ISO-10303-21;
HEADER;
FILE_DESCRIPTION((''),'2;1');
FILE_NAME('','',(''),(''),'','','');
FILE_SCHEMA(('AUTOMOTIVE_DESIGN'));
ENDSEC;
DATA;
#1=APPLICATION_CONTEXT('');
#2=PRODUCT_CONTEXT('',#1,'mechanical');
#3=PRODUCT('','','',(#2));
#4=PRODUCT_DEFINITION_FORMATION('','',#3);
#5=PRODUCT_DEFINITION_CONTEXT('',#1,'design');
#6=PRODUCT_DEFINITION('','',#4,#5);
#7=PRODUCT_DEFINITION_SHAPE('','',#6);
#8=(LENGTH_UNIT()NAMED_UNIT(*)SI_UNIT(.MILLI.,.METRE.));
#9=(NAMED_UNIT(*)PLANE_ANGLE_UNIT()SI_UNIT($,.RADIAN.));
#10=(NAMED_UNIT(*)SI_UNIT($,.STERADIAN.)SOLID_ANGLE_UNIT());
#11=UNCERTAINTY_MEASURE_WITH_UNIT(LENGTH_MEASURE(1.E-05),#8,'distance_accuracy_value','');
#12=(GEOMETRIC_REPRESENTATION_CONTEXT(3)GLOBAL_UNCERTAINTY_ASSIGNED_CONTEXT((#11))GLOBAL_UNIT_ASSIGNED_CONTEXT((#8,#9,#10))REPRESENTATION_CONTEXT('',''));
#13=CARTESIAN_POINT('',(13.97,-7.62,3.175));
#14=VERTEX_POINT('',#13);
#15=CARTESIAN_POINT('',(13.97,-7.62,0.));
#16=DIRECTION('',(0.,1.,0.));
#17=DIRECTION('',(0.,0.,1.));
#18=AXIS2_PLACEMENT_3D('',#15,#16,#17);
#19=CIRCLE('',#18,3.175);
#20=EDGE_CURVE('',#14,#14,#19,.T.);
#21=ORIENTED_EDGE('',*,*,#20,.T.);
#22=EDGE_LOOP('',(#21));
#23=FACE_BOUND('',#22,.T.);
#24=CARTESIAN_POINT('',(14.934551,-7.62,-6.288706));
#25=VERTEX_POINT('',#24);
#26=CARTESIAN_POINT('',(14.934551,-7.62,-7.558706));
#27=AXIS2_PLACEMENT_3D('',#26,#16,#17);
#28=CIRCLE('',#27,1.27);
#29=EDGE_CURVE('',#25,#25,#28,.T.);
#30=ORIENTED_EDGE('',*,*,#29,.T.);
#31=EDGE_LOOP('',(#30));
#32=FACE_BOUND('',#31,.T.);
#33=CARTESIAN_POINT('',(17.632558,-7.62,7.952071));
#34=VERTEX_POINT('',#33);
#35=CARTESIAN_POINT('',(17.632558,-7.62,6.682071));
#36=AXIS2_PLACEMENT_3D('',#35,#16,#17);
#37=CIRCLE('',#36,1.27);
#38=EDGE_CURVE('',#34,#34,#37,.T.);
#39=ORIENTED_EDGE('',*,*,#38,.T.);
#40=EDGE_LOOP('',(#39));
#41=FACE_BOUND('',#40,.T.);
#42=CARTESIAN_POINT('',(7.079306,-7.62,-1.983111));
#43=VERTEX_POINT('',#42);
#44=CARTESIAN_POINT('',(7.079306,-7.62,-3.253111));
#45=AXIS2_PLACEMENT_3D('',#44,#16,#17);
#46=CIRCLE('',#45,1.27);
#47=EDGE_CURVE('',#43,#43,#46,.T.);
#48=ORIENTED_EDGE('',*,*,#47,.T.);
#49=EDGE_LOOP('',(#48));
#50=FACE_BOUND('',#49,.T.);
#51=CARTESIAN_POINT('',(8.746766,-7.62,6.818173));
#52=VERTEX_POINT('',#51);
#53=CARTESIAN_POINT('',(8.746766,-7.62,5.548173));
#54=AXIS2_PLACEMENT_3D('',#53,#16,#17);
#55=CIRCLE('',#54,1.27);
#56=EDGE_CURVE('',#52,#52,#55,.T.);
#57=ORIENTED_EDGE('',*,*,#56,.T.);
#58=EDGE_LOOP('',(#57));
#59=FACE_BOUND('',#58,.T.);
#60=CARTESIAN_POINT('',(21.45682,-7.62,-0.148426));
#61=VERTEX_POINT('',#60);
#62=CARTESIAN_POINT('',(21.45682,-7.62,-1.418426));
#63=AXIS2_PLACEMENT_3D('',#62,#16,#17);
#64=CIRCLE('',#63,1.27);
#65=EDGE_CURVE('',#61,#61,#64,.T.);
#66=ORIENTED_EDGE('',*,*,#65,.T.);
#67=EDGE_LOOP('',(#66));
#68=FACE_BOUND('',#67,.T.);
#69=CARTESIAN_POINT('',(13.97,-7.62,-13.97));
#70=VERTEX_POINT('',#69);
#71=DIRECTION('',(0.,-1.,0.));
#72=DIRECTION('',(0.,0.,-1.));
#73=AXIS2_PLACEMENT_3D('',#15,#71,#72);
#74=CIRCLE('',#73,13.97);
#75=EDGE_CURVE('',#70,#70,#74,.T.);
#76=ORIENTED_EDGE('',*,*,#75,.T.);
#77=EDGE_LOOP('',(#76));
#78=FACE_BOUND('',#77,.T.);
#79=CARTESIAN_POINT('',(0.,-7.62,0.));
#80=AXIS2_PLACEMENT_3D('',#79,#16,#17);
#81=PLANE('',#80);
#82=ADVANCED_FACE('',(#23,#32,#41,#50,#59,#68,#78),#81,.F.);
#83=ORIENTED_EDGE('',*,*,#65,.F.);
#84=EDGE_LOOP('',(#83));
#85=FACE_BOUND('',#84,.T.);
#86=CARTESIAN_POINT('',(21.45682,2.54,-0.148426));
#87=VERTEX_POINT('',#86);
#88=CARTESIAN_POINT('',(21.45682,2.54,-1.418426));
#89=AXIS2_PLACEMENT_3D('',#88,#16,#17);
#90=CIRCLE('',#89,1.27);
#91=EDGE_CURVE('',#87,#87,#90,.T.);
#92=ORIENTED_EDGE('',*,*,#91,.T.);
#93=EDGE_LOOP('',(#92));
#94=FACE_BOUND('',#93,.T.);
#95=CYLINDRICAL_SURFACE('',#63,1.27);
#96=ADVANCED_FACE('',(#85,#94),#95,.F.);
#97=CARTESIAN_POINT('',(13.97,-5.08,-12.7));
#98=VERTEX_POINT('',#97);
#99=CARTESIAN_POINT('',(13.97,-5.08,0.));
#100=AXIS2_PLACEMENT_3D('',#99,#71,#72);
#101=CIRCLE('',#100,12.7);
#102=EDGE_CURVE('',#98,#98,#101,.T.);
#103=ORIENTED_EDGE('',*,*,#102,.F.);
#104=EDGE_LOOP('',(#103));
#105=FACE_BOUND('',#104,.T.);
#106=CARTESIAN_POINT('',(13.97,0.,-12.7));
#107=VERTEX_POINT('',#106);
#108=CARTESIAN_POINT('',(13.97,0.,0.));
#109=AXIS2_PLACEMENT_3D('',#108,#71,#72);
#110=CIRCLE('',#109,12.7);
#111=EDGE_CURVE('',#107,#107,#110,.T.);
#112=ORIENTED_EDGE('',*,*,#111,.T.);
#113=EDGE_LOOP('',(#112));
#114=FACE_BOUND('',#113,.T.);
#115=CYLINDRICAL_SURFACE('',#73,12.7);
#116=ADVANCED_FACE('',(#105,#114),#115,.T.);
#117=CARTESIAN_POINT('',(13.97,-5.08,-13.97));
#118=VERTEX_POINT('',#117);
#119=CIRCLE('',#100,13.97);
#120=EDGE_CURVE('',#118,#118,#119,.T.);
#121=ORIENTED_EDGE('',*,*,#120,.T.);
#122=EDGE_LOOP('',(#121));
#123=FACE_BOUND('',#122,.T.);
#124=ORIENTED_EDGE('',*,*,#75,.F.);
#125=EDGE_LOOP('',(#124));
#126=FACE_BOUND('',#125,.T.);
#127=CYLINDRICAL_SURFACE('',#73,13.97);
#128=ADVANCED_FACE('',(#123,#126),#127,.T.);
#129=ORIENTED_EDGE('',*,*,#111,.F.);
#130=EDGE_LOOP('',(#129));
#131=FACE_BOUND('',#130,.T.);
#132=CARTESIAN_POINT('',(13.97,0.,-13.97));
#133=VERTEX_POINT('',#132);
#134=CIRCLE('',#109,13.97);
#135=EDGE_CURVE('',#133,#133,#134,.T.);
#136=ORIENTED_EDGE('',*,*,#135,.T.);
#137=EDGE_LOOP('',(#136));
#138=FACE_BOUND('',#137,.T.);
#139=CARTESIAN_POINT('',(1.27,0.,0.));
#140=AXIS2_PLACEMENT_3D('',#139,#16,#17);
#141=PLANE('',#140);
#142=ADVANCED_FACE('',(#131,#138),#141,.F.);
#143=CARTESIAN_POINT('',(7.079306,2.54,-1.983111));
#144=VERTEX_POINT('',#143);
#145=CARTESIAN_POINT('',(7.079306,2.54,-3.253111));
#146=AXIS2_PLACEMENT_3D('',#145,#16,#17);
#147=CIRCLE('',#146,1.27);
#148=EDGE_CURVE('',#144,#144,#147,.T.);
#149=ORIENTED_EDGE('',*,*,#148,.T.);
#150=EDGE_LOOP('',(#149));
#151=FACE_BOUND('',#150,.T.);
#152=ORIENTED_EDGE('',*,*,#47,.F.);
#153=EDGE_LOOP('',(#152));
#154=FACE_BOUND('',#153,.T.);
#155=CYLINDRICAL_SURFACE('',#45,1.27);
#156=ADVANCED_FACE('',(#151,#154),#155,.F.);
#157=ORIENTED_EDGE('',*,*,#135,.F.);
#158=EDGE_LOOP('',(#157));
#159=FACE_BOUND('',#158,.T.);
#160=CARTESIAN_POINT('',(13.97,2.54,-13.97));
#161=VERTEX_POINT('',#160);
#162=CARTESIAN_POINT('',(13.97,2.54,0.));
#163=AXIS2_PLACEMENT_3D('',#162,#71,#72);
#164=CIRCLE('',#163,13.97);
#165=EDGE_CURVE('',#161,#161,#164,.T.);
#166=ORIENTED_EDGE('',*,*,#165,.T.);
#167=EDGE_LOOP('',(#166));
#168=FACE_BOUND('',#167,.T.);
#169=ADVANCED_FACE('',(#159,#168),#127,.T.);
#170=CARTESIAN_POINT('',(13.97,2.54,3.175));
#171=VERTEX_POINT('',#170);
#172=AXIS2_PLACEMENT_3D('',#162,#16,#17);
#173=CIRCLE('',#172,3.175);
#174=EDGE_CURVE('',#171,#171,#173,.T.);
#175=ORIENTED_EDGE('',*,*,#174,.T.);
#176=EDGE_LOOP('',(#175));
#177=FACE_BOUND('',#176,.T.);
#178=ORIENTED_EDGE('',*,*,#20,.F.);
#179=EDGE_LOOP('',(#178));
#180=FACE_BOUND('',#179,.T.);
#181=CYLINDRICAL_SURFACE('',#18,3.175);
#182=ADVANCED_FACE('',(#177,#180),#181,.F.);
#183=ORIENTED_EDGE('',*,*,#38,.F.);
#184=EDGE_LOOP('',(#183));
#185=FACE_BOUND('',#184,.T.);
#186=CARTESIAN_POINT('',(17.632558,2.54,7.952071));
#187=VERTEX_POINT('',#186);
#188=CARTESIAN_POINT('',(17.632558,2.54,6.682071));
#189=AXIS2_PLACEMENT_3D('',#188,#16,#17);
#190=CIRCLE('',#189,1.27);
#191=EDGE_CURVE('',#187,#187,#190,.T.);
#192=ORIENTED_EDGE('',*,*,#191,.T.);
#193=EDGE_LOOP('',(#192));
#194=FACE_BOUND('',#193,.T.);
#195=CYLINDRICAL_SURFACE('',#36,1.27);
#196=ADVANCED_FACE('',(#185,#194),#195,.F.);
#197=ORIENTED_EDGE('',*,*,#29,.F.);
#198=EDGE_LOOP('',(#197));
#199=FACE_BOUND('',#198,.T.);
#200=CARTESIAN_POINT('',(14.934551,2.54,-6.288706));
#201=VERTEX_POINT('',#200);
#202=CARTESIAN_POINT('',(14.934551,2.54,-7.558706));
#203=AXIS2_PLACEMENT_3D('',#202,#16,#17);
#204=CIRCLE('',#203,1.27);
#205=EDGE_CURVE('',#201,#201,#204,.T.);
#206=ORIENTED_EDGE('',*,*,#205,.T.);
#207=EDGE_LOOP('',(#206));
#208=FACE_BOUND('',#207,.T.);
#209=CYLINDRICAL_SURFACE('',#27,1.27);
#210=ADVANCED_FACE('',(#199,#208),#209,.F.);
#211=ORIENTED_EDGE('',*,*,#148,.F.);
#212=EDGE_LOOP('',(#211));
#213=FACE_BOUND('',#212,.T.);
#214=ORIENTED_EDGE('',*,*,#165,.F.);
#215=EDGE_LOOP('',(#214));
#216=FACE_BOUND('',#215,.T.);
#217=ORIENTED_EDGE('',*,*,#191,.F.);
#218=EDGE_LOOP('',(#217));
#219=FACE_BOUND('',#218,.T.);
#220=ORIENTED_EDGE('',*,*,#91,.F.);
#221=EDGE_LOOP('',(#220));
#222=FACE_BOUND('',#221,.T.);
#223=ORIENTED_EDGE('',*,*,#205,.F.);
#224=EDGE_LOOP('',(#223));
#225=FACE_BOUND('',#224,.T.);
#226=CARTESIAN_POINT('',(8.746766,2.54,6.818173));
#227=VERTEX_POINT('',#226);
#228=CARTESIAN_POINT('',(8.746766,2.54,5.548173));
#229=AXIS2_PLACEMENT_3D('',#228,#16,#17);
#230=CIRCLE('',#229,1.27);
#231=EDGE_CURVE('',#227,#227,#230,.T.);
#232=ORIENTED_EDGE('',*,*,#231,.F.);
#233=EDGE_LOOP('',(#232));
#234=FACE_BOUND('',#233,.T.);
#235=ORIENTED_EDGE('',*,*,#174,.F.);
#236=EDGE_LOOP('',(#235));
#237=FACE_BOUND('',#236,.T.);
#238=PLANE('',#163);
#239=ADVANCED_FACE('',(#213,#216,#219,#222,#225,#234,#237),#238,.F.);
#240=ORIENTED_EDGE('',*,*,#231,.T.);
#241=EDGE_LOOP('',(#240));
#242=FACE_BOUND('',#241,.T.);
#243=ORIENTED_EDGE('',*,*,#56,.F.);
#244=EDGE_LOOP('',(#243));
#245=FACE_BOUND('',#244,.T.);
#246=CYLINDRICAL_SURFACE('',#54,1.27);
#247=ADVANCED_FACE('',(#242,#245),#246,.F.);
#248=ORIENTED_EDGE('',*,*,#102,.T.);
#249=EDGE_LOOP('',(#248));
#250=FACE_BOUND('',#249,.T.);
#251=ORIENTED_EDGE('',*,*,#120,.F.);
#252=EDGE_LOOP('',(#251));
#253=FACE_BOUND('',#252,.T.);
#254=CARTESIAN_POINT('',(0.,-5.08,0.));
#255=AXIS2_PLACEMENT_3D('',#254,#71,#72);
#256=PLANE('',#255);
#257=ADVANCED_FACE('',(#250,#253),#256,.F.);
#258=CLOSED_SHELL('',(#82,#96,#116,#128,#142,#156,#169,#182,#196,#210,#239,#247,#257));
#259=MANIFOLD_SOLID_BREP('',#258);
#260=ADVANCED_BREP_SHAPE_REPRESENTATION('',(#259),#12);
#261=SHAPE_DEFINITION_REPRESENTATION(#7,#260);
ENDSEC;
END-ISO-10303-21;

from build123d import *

# Parameters (mm, degrees)
SKETCH4_R          = 3.175
CUT_EXTRUDE3_DEPTH = 33.848593577
SKETCH6_R          = 1.27
CUT_EXTRUDE5_DEPTH = 33.848593577


with BuildPart() as part:
    # Sketch1 → Revolve1 (revolve)
    with BuildSketch(Plane.XY, mode=Mode.PRIVATE) as revolve1_sk:
        Polygon((0, 0), (0, 2.54), (13.97, 2.54), (13.97, -7.62), (0, -7.62), (0, -5.08), (1.27, -5.08), (1.27, 0), align=None)
    revolve(revolve1_sk.sketch.rotate(Axis((13.97, -7.62, 0), (0, 1, 0)), 270), axis=Axis((13.97, -7.62, 0), (0, 1, 0)))

    # Sketch4 → Cut-Extrude3 (cut, through all)
    with BuildSketch(Plane(origin=(0, 2.54, 0), x_dir=(1, 0, 0), z_dir=(0, 1, 0))):
        with Locations(Location((13.97, 0, 0), (0, 0, 270))):
            Circle(SKETCH4_R)
    extrude(amount=-CUT_EXTRUDE3_DEPTH, mode=Mode.SUBTRACT)

    # Sketch6 → Cut-Extrude5 (cut, through all)
    with BuildSketch(Plane(origin=(0, 2.54, 0), x_dir=(1, 0, 0), z_dir=(0, 1, 0))):
        with Locations(Location((7.079305779, 3.253111304, 0), (0, 0, 270))):
            Circle(SKETCH6_R)
        with Locations(Location((14.934551087, 7.558706318, 0), (0, 0, 270))):
            Circle(SKETCH6_R)
        with Locations(Location((21.456819576, 1.418426111, 0), (0, 0, 270))):
            Circle(SKETCH6_R)
        with Locations(Location((17.632557879, -6.682070771, 0), (0, 0, 270))):
            Circle(SKETCH6_R)
        with Locations(Location((8.746765678, -5.548172963, 0), (0, 0, 270))):
            Circle(SKETCH6_R)
    extrude(amount=-CUT_EXTRUDE5_DEPTH, mode=Mode.SUBTRACT)


solid = part.part
